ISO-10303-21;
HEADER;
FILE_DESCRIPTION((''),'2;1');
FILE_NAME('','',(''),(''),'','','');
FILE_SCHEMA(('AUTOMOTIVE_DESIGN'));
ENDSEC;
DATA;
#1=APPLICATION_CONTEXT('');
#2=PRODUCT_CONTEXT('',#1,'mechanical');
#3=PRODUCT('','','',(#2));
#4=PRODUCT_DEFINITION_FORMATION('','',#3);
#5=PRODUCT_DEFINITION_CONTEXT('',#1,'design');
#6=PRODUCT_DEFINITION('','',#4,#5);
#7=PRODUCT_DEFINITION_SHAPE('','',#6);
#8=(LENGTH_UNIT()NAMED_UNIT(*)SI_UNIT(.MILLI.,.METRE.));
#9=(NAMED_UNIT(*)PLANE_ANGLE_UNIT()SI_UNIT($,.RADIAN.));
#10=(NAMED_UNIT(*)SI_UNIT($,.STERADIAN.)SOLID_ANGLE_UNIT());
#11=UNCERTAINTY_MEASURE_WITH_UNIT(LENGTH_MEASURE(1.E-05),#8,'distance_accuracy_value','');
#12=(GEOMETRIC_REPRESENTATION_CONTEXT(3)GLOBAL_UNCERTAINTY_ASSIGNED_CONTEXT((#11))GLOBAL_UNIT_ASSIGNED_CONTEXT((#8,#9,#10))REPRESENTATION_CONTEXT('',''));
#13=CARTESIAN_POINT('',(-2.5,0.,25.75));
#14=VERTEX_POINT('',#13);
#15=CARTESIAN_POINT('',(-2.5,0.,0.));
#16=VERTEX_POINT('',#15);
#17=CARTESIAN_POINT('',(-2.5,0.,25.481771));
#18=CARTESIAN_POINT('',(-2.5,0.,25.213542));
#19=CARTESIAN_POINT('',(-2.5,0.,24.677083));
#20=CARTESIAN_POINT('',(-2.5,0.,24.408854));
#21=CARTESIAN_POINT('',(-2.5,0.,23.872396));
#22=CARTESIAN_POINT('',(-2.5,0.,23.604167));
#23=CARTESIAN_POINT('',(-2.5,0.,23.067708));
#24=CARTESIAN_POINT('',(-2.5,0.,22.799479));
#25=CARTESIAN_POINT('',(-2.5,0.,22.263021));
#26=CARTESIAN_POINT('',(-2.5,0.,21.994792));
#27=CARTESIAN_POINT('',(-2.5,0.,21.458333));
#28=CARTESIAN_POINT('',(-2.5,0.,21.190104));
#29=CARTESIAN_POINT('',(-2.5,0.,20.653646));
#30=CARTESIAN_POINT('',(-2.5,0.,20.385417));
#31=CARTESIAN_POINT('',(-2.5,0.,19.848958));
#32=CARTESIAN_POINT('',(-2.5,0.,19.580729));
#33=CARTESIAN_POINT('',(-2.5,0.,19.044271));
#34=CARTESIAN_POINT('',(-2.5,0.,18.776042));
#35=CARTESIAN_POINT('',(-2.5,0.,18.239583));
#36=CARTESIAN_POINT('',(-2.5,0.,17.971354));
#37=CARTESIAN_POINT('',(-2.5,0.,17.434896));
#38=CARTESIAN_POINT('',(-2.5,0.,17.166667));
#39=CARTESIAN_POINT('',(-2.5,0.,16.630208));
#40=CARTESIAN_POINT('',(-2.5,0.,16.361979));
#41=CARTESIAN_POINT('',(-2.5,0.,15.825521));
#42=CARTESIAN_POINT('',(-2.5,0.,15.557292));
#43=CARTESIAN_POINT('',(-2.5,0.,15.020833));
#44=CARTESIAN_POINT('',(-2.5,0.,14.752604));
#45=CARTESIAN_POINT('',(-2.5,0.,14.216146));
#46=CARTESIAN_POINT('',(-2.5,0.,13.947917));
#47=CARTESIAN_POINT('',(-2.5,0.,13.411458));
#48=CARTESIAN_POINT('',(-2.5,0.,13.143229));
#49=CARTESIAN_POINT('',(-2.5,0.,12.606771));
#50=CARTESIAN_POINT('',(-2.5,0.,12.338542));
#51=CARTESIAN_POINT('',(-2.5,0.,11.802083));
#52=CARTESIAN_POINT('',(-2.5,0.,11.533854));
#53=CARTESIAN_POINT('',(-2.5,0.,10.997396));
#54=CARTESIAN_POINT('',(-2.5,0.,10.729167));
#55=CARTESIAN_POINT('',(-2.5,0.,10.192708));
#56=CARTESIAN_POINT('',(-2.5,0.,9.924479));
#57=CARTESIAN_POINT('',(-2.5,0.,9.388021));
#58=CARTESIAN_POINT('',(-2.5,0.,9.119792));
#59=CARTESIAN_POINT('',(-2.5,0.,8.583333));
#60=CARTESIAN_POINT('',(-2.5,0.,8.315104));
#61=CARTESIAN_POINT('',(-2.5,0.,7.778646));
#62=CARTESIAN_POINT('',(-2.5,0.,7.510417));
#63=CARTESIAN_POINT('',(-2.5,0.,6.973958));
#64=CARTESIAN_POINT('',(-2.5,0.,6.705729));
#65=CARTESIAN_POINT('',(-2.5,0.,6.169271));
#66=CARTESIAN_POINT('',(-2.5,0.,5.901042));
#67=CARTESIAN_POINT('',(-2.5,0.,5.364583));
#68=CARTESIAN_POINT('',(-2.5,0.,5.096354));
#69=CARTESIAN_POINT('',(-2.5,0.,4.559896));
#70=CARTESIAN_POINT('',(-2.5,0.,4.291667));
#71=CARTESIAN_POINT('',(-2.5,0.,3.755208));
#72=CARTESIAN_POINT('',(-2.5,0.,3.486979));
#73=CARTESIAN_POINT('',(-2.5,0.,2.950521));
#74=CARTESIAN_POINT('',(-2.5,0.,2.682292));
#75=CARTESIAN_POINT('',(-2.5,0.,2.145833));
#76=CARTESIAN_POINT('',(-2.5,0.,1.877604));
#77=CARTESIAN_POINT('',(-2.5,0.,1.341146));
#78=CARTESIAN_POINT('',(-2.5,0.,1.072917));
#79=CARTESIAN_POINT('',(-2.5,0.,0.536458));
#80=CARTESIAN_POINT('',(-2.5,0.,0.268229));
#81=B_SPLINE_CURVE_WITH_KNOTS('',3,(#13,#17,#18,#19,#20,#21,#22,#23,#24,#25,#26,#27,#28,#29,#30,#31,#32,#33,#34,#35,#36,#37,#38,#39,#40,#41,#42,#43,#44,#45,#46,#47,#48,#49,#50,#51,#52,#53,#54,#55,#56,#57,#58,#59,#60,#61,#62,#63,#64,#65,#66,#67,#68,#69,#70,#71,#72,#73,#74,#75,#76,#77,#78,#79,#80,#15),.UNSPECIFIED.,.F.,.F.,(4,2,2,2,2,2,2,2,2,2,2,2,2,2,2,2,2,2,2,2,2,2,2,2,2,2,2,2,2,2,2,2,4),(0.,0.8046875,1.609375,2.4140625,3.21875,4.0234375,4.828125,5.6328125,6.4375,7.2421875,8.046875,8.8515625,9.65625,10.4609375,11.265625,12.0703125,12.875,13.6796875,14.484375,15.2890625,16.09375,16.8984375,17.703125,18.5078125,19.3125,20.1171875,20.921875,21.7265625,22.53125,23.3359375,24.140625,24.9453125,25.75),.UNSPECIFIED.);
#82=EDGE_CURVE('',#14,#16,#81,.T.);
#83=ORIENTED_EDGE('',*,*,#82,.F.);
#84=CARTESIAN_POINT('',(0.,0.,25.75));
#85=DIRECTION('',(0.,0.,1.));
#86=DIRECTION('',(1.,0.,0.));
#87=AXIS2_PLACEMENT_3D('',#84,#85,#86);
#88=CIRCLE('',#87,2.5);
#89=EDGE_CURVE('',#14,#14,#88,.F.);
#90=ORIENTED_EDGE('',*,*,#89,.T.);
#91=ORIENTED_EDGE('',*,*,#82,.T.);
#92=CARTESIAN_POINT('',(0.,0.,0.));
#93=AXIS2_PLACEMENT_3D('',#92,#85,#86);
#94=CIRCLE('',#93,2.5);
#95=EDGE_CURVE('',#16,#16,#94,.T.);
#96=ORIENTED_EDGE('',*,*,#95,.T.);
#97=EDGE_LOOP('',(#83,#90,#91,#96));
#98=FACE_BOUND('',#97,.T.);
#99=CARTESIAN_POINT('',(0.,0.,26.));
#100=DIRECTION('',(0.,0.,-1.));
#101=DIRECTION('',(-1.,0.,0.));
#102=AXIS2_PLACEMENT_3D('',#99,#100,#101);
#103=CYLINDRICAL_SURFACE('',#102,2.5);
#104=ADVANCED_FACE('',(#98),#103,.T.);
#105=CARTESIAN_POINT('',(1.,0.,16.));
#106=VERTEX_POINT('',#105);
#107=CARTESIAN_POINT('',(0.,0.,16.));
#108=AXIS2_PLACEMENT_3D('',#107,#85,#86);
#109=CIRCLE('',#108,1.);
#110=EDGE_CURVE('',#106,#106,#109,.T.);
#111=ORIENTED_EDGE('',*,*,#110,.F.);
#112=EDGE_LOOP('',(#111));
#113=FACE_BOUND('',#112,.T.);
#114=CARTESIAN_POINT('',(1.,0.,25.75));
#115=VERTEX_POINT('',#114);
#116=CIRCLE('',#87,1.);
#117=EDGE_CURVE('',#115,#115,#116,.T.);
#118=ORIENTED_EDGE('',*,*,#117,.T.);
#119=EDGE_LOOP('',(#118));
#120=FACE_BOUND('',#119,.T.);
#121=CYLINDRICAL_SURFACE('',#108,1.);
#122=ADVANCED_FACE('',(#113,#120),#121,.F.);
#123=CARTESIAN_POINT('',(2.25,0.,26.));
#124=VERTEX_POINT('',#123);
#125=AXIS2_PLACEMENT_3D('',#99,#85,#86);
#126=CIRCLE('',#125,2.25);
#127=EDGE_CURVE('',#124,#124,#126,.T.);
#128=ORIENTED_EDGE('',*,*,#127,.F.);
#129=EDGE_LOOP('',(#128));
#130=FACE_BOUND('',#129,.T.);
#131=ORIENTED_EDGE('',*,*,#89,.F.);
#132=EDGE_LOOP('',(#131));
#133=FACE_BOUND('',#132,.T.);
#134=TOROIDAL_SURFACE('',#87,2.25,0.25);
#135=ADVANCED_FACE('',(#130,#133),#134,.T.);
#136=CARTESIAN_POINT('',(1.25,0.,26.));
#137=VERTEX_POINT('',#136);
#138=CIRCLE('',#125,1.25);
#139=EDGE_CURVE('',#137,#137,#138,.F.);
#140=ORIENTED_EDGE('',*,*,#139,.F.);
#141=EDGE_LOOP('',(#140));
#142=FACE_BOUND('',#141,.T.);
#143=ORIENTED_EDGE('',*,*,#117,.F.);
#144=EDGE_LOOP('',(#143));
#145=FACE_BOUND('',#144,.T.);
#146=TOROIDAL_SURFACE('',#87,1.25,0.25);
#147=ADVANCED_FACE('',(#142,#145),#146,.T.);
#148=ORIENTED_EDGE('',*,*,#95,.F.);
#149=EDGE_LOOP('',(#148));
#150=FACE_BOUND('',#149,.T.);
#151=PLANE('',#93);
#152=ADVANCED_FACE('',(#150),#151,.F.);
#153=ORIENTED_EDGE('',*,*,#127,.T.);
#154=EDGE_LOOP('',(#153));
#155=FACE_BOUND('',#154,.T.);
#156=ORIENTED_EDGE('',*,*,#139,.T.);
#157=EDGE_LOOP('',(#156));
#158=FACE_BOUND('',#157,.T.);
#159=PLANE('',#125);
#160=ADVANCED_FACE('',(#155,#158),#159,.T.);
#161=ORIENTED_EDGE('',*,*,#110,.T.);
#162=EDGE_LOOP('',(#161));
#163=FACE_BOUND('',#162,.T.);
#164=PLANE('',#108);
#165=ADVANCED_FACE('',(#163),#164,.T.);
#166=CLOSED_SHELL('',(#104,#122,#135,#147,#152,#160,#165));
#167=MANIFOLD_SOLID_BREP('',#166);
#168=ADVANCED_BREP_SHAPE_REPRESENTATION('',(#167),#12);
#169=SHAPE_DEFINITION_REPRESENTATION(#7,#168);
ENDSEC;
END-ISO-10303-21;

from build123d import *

# Parameters (mm, degrees)
CROQUIS1_R              = 2.5
SALIENTE_EXTRUIR1_DEPTH = 26
CROQUIS2_R              = 1
CORTAR_EXTRUIR1_DEPTH   = 10
REDONDEO1_R             = 0.25


with BuildPart() as part:
    # Croquis1 → Saliente-Extruir1 (new body)
    with BuildSketch(Plane.XY):
        with Locations(Location((0, 0, 0), (0, 0, 180))):
            Circle(CROQUIS1_R)
    extrude(amount=SALIENTE_EXTRUIR1_DEPTH)

    # Croquis2 → Cortar-Extruir1 (cut)
    with BuildSketch(Plane.XY.offset(26)):
        Circle(CROQUIS2_R)
    extrude(amount=-CORTAR_EXTRUIR1_DEPTH, mode=Mode.SUBTRACT)

    # Redondeo1
    redondeo1_edges = [part.edges().sort_by_distance(p)[0] for p in [
        (2.5, 0, 26),
        (-1, 0, 26),
    ]]
    fillet(redondeo1_edges, radius=REDONDEO1_R)


solid = part.part
